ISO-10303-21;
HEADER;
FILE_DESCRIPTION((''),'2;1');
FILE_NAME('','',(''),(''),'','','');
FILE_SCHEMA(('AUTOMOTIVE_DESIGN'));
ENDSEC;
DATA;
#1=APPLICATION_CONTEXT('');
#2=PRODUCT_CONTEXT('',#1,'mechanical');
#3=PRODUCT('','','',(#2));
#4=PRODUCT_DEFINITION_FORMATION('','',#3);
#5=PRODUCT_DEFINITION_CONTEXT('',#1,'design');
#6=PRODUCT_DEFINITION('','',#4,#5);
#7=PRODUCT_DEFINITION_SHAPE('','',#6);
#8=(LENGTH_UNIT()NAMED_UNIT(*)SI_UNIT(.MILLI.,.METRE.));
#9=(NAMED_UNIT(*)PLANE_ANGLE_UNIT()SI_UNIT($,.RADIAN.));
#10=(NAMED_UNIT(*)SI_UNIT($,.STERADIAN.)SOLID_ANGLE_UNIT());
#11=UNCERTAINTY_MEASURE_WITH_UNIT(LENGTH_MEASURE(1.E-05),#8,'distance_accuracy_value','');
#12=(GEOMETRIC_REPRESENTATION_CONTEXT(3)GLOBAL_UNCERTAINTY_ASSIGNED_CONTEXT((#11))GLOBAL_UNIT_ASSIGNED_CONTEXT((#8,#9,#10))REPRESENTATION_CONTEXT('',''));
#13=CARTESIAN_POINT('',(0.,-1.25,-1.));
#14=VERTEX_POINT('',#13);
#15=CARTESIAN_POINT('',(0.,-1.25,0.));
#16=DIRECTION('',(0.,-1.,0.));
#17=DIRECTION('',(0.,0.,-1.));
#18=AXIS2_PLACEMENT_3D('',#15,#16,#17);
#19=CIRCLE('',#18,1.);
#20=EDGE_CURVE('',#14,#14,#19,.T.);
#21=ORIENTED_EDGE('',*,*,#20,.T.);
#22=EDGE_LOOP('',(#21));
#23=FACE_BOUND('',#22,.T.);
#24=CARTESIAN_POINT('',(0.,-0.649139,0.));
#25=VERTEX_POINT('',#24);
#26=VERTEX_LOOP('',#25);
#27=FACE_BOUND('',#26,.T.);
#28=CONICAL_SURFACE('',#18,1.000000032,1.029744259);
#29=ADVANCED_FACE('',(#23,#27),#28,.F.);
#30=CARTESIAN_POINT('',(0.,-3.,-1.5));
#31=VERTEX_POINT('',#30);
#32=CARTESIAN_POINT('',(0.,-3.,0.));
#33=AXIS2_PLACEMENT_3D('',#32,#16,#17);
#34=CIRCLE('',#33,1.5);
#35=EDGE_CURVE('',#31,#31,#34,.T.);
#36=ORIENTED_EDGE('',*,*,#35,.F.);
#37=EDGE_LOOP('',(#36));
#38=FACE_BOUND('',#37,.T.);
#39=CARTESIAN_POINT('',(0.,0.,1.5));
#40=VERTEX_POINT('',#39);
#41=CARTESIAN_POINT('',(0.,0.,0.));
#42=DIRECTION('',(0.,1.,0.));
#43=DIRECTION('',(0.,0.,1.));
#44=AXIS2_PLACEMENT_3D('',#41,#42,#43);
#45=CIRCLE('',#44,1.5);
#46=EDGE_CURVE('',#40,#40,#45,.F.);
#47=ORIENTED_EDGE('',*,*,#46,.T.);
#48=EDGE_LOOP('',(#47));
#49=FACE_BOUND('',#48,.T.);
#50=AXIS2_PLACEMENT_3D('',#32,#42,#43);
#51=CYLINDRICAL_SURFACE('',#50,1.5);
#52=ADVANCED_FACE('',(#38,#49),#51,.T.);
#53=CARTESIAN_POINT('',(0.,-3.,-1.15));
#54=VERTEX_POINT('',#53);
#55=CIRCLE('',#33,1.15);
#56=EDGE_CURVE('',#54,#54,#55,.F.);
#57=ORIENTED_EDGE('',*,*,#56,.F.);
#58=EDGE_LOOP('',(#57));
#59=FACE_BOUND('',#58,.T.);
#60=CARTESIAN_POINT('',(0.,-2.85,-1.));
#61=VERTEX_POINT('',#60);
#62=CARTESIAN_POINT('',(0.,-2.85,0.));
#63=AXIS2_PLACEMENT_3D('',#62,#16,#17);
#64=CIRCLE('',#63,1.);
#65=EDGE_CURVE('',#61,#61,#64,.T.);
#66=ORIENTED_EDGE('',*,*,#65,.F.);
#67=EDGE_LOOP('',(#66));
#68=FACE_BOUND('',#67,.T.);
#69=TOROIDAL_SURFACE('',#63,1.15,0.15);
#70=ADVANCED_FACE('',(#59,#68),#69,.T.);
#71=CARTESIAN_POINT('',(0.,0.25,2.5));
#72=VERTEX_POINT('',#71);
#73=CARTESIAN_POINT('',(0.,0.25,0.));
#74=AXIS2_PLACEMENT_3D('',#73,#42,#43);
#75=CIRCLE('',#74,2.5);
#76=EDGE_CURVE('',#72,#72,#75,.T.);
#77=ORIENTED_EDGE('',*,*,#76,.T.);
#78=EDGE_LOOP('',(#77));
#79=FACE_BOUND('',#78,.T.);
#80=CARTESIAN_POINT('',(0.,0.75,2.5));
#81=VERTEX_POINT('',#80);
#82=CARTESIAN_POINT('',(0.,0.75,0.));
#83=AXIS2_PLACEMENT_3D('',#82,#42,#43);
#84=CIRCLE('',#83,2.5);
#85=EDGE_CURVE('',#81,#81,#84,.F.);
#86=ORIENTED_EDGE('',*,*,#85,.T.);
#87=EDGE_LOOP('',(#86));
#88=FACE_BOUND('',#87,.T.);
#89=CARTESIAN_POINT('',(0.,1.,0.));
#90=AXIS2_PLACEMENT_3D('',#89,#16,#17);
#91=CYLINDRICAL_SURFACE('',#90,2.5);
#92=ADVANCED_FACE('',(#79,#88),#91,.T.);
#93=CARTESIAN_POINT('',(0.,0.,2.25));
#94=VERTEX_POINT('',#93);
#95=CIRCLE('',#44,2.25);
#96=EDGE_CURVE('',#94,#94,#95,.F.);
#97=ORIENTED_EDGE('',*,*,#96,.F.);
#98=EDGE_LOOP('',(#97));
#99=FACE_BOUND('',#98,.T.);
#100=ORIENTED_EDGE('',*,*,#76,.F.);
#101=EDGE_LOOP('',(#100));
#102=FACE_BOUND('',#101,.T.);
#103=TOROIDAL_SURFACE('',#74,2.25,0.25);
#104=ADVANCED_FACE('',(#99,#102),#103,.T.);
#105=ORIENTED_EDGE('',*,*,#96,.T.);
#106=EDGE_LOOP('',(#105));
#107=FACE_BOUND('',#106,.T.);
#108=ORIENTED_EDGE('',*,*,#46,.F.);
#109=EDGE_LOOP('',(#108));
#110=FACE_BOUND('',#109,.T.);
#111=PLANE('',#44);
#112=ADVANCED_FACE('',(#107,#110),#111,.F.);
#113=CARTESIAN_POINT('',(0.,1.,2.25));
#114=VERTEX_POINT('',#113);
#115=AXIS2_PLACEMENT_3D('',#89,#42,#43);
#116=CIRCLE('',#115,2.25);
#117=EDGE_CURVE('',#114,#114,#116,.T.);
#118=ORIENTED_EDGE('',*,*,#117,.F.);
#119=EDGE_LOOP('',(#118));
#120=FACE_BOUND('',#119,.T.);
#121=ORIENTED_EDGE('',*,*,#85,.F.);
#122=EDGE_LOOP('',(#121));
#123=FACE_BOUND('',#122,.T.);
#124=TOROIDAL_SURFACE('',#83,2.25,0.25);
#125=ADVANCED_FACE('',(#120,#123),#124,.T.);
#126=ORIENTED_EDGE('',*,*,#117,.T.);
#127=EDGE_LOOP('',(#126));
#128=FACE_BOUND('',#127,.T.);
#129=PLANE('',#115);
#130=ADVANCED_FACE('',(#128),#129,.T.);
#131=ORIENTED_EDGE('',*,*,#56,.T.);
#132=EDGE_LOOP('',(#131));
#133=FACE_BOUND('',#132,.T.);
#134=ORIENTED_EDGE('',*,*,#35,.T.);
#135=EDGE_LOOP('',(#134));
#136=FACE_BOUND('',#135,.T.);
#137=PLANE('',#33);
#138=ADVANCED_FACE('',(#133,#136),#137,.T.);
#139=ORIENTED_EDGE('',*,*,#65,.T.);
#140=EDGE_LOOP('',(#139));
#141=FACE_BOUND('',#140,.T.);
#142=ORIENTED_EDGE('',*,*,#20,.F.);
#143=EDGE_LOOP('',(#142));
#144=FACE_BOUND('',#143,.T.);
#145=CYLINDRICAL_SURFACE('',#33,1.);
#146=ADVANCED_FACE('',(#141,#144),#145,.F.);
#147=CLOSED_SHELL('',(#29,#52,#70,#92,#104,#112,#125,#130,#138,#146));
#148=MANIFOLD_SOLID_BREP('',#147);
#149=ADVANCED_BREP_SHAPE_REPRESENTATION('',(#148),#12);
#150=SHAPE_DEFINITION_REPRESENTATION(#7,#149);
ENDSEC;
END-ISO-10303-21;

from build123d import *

# Parameters (mm, degrees)
SKETCH1_R                              = 2.5
BOSS_EXTRUDE1_DEPTH                    = 1
FILLET1_R                              = 0.25
SKETCH2_R                              = 1.5
BOSS_EXTRUDE2_DEPTH                    = 3
F_1_16_0_07874016_DIAMETER_HOLE1_D     = 2.000000064
F_1_16_0_07874016_DIAMETER_HOLE1_DEPTH = 1.75
F_1_16_0_07874016_DIAMETER_HOLE1_TIP   = 0.600860638
FILLET2_R                              = 0.15


with BuildPart() as part:
    # Sketch1 → Boss-Extrude1 (new body)
    with BuildSketch(Plane(origin=(0, 0, 0), x_dir=(1, 0, 0), z_dir=(0, 1, 0))):
        with Locations(Location((0, 0, 0), (0, 0, 270))):
            Circle(SKETCH1_R)
    extrude(amount=BOSS_EXTRUDE1_DEPTH)

    # Fillet1
    fillet1_edges = [part.edges().sort_by_distance(p)[0] for p in [
        (0, 0, -2.5),
        (0, 1, -2.5),
    ]]
    fillet(fillet1_edges, radius=FILLET1_R)

    # Sketch2 → Boss-Extrude2 (add)
    with BuildSketch(Plane.XZ):
        with Locations(Location((0, 0, 0), (0, 0, 90))):
            Circle(SKETCH2_R)
    extrude(amount=BOSS_EXTRUDE2_DEPTH)

    # 1/16 (0.07874016) Diameter Hole1
    with Locations(Plane(origin=(0, -3, 0), x_dir=(-1, 0, 0), z_dir=(0, -1, 0))):
        with Locations((0, 0)):
            Hole(F_1_16_0_07874016_DIAMETER_HOLE1_D / 2, depth=F_1_16_0_07874016_DIAMETER_HOLE1_DEPTH)
            with Locations((0, 0, -(F_1_16_0_07874016_DIAMETER_HOLE1_DEPTH + F_1_16_0_07874016_DIAMETER_HOLE1_TIP / 2))):  # 118° drill point
                Cone(0, F_1_16_0_07874016_DIAMETER_HOLE1_D / 2, F_1_16_0_07874016_DIAMETER_HOLE1_TIP, mode=Mode.SUBTRACT)

    # Fillet2
    fillet2_edges = [part.edges().sort_by_distance(p)[0] for p in [
        (-1.000000032, -3, 0),
    ]]
    fillet(fillet2_edges, radius=FILLET2_R)


solid = part.part
